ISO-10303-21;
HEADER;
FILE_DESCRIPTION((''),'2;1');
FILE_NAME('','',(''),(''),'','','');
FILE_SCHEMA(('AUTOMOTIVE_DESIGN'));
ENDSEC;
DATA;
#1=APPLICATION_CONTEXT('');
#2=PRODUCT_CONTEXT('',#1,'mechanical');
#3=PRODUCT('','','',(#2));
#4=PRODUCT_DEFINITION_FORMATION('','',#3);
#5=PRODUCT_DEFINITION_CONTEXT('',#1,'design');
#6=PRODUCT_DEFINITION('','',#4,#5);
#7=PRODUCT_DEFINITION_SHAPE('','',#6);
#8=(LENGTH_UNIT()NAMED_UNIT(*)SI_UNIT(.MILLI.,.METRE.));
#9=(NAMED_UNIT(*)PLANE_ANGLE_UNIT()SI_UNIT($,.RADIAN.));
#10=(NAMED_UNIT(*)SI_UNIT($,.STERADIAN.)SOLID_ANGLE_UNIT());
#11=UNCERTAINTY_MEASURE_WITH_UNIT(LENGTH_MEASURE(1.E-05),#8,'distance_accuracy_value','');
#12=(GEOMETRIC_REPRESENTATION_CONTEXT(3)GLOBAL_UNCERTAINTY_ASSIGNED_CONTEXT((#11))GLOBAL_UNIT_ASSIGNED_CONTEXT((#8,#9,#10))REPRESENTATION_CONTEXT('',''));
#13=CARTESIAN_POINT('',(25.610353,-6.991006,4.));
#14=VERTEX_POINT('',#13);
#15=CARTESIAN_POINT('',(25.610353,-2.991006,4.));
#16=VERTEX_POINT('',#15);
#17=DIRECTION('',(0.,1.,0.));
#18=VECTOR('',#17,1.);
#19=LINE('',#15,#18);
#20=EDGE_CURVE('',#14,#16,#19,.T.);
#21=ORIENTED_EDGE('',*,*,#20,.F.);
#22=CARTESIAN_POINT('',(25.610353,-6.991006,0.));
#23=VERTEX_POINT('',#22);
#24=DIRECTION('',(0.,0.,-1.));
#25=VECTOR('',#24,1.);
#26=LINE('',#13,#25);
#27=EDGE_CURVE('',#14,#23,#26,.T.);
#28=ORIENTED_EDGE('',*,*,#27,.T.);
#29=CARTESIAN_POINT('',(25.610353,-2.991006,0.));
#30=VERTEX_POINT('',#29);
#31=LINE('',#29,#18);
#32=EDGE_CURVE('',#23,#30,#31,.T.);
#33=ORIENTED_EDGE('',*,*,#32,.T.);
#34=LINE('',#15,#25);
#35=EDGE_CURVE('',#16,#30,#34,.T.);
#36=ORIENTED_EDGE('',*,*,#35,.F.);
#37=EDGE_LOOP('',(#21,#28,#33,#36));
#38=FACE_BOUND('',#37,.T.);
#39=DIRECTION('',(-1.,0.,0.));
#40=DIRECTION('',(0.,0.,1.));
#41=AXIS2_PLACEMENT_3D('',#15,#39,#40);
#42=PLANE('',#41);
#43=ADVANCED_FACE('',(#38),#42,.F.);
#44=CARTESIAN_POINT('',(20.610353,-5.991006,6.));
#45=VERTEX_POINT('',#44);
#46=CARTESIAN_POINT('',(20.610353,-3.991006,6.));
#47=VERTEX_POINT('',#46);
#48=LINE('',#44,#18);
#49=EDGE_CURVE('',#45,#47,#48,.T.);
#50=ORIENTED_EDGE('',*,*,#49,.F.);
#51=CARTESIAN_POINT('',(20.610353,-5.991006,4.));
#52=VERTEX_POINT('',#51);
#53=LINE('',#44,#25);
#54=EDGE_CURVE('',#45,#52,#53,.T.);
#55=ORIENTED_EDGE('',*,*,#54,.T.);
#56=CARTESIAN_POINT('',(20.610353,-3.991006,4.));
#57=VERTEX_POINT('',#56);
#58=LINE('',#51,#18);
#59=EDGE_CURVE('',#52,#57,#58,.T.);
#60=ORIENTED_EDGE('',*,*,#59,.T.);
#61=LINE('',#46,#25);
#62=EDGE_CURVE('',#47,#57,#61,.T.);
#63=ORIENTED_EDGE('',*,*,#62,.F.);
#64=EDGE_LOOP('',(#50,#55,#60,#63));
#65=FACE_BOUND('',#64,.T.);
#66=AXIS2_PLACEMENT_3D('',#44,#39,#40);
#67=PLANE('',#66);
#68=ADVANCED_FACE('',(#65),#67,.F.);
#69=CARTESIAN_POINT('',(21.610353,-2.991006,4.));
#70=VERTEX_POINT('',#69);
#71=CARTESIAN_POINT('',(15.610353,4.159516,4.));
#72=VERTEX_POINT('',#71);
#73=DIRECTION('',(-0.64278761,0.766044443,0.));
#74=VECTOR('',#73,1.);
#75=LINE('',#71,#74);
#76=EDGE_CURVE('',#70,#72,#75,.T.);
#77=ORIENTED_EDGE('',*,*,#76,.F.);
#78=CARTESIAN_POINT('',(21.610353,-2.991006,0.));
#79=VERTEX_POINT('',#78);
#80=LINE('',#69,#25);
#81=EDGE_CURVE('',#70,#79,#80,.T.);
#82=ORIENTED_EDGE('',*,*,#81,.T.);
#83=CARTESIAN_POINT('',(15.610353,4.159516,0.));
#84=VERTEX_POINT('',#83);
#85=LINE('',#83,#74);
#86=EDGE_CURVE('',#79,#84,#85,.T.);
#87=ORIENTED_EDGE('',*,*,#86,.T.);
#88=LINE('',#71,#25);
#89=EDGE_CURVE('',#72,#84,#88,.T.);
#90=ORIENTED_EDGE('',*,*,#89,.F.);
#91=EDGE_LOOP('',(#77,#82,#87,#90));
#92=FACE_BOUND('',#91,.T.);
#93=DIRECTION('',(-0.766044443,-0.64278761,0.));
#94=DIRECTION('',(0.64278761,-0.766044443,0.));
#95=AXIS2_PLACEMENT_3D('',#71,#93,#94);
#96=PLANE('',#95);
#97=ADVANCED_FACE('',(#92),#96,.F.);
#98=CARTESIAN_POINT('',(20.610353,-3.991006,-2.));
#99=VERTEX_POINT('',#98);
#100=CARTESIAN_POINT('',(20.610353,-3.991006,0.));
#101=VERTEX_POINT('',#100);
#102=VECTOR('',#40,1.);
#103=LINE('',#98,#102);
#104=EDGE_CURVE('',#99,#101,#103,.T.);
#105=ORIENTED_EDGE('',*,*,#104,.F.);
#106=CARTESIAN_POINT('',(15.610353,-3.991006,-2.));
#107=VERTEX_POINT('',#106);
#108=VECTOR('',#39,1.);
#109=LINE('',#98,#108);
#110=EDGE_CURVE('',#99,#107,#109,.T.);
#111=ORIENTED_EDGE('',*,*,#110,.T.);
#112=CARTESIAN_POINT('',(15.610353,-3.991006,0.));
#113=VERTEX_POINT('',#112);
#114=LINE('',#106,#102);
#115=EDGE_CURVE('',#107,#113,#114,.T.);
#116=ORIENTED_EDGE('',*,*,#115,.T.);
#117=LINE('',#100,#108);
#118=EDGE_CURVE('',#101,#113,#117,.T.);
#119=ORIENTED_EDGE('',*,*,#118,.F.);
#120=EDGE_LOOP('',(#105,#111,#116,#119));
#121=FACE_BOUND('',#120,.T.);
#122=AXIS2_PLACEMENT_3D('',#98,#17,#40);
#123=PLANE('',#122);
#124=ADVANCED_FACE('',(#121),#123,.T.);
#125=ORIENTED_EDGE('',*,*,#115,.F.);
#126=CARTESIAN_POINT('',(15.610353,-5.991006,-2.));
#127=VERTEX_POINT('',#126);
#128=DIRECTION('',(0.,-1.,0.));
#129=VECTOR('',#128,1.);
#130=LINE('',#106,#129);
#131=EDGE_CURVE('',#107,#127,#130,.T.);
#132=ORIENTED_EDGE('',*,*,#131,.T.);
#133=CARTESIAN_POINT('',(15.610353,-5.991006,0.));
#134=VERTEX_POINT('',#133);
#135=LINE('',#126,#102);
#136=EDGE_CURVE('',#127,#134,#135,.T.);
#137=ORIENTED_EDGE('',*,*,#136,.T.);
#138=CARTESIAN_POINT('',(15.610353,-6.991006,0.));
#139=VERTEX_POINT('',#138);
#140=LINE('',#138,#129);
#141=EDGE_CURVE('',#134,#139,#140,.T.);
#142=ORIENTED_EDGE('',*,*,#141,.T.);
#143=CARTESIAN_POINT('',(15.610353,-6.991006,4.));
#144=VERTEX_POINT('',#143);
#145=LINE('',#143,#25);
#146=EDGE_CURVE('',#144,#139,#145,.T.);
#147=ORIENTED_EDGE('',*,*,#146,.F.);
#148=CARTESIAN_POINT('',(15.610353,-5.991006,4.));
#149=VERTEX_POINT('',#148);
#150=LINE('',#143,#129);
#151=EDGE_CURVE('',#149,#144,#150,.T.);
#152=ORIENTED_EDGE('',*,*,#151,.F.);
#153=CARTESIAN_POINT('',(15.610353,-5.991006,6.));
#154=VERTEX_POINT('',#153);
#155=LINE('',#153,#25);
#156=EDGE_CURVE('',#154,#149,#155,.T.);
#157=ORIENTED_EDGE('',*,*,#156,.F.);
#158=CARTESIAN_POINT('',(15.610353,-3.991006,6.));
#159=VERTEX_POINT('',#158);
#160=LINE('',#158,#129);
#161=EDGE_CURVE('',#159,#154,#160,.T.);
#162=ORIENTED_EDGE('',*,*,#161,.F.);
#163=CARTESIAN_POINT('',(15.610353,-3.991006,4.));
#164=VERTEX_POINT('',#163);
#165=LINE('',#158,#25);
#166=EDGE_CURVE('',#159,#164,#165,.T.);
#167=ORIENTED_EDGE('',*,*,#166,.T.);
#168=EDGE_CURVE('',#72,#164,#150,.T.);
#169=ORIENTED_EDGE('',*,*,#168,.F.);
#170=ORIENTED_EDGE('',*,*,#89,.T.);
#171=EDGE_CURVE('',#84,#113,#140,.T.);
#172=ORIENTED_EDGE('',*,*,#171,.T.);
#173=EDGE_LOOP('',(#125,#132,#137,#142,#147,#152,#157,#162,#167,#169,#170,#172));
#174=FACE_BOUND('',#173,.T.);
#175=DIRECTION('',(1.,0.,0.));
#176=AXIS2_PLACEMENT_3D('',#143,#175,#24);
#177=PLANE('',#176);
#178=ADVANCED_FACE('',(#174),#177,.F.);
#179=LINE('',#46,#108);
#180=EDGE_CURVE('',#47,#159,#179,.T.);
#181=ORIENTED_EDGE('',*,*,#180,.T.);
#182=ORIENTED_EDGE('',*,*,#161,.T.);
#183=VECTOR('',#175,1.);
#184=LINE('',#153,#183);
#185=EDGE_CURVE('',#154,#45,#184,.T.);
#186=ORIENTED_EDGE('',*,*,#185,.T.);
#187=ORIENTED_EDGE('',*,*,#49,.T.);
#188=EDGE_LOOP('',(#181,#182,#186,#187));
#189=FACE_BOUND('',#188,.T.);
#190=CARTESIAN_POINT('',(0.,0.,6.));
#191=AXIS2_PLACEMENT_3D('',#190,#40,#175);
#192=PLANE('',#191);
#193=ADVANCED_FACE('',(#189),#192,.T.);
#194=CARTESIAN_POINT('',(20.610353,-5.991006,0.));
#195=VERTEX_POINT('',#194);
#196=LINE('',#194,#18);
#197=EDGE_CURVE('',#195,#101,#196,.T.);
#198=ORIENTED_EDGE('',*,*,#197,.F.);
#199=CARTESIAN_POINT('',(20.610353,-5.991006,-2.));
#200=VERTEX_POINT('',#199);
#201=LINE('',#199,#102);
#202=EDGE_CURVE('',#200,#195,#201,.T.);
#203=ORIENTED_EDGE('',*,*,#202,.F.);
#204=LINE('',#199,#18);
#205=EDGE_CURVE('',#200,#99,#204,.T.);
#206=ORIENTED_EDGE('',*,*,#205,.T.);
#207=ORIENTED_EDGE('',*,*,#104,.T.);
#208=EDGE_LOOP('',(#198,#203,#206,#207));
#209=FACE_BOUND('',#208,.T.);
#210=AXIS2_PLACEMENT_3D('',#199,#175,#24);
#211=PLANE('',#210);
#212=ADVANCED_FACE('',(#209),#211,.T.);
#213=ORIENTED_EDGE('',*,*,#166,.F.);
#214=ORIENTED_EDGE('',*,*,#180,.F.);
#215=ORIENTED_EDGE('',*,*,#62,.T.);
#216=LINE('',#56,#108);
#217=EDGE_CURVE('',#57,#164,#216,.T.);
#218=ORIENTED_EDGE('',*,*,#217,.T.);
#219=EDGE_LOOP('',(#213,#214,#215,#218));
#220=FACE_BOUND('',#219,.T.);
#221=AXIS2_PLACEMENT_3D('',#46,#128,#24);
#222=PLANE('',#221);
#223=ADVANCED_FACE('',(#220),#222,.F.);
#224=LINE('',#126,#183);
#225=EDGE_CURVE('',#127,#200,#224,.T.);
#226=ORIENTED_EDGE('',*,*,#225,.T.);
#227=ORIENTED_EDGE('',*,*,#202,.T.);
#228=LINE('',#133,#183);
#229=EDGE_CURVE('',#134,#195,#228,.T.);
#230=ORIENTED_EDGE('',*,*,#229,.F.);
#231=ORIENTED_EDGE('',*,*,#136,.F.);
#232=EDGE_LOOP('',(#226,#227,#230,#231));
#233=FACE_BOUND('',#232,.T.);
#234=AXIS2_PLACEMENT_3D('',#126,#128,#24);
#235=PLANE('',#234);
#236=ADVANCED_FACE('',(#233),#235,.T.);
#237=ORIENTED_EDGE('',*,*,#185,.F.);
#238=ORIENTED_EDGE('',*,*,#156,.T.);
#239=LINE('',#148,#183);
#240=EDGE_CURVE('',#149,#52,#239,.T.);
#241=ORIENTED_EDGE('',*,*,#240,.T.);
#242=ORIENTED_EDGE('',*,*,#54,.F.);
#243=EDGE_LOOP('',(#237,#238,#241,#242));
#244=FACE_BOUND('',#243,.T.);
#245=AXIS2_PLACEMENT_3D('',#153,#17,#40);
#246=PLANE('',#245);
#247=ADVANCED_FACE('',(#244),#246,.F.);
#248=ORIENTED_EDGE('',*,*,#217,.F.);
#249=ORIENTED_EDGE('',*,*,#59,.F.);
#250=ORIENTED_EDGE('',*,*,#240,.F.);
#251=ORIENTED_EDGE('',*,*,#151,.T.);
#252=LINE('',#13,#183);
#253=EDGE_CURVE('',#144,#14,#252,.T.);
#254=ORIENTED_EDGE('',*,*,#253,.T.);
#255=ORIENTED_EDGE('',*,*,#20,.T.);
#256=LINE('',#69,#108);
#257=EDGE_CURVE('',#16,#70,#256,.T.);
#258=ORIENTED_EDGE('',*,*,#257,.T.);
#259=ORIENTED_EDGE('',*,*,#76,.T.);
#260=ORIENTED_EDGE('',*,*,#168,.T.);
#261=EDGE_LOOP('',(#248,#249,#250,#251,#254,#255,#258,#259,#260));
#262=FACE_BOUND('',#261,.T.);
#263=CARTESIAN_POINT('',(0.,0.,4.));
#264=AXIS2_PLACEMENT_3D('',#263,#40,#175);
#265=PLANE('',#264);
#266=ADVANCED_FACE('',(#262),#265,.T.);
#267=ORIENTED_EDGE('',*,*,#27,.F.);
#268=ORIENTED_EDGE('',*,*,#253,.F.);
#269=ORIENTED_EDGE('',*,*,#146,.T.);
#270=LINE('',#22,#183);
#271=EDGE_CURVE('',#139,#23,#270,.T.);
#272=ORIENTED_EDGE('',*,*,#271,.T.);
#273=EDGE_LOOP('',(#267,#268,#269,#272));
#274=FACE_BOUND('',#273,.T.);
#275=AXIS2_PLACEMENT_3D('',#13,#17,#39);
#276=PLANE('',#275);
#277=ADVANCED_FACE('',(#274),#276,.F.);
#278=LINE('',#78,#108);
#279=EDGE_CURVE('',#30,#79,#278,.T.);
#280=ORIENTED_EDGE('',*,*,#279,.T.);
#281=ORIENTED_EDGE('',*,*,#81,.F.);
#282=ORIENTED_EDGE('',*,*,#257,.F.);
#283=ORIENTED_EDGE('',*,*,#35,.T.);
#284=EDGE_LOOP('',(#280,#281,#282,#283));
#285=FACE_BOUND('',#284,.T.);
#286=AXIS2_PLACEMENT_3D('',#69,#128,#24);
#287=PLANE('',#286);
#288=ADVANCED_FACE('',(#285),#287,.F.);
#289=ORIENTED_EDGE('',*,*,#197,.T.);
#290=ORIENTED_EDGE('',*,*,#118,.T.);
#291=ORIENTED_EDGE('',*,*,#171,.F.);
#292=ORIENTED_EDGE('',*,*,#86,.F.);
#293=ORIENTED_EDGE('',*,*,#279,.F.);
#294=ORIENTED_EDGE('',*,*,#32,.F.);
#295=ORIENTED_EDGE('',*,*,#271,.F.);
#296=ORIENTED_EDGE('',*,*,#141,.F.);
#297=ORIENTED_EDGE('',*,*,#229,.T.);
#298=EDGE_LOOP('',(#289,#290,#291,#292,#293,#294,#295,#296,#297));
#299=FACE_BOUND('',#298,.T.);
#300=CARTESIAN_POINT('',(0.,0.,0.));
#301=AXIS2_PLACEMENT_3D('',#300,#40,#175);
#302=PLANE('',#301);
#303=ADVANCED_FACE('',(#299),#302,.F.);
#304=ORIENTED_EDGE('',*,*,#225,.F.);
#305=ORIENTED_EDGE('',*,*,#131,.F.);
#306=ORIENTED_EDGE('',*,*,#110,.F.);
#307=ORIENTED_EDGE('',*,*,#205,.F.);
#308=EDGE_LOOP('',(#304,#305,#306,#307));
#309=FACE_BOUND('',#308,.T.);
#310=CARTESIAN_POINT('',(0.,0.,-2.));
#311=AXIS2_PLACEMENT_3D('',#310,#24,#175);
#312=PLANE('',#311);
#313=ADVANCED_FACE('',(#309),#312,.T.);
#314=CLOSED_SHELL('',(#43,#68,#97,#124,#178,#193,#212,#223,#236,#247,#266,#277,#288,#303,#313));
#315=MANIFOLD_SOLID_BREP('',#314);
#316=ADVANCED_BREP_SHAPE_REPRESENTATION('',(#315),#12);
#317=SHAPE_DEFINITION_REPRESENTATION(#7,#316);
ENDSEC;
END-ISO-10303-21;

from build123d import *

# Parameters (mm, degrees)
BOSS_EXTRU_1_DEPTH = 4
ESQUISSE2_W        = 5
ESQUISSE2_H        = 2
BOSS_EXTRU_2_DEPTH = 2


with BuildPart() as part:
    # Esquisse1 → Boss.-Extru.1 (new body)
    with BuildSketch(Plane.XY):
        Polygon((21.610352861, -2.991005838), (25.610352861, -2.991005838), (25.610352861, -6.991005838), (15.610352861, -6.991005838), (15.610352861, 4.159515718), align=None)
    extrude(amount=BOSS_EXTRU_1_DEPTH)

    # Esquisse2 → Boss.-Extru.2 (add)
    with BuildSketch(Plane.XY.offset(4)):
        with Locations((18.110352861, -4.991005838)):
            Rectangle(ESQUISSE2_W, ESQUISSE2_H)
    boss_extru_2 = extrude(amount=BOSS_EXTRU_2_DEPTH)

    # Symétrie1: Boss.-Extru.2 across plane
    add(boss_extru_2.mirror(Plane.XY.offset(2)))


solid = part.part
